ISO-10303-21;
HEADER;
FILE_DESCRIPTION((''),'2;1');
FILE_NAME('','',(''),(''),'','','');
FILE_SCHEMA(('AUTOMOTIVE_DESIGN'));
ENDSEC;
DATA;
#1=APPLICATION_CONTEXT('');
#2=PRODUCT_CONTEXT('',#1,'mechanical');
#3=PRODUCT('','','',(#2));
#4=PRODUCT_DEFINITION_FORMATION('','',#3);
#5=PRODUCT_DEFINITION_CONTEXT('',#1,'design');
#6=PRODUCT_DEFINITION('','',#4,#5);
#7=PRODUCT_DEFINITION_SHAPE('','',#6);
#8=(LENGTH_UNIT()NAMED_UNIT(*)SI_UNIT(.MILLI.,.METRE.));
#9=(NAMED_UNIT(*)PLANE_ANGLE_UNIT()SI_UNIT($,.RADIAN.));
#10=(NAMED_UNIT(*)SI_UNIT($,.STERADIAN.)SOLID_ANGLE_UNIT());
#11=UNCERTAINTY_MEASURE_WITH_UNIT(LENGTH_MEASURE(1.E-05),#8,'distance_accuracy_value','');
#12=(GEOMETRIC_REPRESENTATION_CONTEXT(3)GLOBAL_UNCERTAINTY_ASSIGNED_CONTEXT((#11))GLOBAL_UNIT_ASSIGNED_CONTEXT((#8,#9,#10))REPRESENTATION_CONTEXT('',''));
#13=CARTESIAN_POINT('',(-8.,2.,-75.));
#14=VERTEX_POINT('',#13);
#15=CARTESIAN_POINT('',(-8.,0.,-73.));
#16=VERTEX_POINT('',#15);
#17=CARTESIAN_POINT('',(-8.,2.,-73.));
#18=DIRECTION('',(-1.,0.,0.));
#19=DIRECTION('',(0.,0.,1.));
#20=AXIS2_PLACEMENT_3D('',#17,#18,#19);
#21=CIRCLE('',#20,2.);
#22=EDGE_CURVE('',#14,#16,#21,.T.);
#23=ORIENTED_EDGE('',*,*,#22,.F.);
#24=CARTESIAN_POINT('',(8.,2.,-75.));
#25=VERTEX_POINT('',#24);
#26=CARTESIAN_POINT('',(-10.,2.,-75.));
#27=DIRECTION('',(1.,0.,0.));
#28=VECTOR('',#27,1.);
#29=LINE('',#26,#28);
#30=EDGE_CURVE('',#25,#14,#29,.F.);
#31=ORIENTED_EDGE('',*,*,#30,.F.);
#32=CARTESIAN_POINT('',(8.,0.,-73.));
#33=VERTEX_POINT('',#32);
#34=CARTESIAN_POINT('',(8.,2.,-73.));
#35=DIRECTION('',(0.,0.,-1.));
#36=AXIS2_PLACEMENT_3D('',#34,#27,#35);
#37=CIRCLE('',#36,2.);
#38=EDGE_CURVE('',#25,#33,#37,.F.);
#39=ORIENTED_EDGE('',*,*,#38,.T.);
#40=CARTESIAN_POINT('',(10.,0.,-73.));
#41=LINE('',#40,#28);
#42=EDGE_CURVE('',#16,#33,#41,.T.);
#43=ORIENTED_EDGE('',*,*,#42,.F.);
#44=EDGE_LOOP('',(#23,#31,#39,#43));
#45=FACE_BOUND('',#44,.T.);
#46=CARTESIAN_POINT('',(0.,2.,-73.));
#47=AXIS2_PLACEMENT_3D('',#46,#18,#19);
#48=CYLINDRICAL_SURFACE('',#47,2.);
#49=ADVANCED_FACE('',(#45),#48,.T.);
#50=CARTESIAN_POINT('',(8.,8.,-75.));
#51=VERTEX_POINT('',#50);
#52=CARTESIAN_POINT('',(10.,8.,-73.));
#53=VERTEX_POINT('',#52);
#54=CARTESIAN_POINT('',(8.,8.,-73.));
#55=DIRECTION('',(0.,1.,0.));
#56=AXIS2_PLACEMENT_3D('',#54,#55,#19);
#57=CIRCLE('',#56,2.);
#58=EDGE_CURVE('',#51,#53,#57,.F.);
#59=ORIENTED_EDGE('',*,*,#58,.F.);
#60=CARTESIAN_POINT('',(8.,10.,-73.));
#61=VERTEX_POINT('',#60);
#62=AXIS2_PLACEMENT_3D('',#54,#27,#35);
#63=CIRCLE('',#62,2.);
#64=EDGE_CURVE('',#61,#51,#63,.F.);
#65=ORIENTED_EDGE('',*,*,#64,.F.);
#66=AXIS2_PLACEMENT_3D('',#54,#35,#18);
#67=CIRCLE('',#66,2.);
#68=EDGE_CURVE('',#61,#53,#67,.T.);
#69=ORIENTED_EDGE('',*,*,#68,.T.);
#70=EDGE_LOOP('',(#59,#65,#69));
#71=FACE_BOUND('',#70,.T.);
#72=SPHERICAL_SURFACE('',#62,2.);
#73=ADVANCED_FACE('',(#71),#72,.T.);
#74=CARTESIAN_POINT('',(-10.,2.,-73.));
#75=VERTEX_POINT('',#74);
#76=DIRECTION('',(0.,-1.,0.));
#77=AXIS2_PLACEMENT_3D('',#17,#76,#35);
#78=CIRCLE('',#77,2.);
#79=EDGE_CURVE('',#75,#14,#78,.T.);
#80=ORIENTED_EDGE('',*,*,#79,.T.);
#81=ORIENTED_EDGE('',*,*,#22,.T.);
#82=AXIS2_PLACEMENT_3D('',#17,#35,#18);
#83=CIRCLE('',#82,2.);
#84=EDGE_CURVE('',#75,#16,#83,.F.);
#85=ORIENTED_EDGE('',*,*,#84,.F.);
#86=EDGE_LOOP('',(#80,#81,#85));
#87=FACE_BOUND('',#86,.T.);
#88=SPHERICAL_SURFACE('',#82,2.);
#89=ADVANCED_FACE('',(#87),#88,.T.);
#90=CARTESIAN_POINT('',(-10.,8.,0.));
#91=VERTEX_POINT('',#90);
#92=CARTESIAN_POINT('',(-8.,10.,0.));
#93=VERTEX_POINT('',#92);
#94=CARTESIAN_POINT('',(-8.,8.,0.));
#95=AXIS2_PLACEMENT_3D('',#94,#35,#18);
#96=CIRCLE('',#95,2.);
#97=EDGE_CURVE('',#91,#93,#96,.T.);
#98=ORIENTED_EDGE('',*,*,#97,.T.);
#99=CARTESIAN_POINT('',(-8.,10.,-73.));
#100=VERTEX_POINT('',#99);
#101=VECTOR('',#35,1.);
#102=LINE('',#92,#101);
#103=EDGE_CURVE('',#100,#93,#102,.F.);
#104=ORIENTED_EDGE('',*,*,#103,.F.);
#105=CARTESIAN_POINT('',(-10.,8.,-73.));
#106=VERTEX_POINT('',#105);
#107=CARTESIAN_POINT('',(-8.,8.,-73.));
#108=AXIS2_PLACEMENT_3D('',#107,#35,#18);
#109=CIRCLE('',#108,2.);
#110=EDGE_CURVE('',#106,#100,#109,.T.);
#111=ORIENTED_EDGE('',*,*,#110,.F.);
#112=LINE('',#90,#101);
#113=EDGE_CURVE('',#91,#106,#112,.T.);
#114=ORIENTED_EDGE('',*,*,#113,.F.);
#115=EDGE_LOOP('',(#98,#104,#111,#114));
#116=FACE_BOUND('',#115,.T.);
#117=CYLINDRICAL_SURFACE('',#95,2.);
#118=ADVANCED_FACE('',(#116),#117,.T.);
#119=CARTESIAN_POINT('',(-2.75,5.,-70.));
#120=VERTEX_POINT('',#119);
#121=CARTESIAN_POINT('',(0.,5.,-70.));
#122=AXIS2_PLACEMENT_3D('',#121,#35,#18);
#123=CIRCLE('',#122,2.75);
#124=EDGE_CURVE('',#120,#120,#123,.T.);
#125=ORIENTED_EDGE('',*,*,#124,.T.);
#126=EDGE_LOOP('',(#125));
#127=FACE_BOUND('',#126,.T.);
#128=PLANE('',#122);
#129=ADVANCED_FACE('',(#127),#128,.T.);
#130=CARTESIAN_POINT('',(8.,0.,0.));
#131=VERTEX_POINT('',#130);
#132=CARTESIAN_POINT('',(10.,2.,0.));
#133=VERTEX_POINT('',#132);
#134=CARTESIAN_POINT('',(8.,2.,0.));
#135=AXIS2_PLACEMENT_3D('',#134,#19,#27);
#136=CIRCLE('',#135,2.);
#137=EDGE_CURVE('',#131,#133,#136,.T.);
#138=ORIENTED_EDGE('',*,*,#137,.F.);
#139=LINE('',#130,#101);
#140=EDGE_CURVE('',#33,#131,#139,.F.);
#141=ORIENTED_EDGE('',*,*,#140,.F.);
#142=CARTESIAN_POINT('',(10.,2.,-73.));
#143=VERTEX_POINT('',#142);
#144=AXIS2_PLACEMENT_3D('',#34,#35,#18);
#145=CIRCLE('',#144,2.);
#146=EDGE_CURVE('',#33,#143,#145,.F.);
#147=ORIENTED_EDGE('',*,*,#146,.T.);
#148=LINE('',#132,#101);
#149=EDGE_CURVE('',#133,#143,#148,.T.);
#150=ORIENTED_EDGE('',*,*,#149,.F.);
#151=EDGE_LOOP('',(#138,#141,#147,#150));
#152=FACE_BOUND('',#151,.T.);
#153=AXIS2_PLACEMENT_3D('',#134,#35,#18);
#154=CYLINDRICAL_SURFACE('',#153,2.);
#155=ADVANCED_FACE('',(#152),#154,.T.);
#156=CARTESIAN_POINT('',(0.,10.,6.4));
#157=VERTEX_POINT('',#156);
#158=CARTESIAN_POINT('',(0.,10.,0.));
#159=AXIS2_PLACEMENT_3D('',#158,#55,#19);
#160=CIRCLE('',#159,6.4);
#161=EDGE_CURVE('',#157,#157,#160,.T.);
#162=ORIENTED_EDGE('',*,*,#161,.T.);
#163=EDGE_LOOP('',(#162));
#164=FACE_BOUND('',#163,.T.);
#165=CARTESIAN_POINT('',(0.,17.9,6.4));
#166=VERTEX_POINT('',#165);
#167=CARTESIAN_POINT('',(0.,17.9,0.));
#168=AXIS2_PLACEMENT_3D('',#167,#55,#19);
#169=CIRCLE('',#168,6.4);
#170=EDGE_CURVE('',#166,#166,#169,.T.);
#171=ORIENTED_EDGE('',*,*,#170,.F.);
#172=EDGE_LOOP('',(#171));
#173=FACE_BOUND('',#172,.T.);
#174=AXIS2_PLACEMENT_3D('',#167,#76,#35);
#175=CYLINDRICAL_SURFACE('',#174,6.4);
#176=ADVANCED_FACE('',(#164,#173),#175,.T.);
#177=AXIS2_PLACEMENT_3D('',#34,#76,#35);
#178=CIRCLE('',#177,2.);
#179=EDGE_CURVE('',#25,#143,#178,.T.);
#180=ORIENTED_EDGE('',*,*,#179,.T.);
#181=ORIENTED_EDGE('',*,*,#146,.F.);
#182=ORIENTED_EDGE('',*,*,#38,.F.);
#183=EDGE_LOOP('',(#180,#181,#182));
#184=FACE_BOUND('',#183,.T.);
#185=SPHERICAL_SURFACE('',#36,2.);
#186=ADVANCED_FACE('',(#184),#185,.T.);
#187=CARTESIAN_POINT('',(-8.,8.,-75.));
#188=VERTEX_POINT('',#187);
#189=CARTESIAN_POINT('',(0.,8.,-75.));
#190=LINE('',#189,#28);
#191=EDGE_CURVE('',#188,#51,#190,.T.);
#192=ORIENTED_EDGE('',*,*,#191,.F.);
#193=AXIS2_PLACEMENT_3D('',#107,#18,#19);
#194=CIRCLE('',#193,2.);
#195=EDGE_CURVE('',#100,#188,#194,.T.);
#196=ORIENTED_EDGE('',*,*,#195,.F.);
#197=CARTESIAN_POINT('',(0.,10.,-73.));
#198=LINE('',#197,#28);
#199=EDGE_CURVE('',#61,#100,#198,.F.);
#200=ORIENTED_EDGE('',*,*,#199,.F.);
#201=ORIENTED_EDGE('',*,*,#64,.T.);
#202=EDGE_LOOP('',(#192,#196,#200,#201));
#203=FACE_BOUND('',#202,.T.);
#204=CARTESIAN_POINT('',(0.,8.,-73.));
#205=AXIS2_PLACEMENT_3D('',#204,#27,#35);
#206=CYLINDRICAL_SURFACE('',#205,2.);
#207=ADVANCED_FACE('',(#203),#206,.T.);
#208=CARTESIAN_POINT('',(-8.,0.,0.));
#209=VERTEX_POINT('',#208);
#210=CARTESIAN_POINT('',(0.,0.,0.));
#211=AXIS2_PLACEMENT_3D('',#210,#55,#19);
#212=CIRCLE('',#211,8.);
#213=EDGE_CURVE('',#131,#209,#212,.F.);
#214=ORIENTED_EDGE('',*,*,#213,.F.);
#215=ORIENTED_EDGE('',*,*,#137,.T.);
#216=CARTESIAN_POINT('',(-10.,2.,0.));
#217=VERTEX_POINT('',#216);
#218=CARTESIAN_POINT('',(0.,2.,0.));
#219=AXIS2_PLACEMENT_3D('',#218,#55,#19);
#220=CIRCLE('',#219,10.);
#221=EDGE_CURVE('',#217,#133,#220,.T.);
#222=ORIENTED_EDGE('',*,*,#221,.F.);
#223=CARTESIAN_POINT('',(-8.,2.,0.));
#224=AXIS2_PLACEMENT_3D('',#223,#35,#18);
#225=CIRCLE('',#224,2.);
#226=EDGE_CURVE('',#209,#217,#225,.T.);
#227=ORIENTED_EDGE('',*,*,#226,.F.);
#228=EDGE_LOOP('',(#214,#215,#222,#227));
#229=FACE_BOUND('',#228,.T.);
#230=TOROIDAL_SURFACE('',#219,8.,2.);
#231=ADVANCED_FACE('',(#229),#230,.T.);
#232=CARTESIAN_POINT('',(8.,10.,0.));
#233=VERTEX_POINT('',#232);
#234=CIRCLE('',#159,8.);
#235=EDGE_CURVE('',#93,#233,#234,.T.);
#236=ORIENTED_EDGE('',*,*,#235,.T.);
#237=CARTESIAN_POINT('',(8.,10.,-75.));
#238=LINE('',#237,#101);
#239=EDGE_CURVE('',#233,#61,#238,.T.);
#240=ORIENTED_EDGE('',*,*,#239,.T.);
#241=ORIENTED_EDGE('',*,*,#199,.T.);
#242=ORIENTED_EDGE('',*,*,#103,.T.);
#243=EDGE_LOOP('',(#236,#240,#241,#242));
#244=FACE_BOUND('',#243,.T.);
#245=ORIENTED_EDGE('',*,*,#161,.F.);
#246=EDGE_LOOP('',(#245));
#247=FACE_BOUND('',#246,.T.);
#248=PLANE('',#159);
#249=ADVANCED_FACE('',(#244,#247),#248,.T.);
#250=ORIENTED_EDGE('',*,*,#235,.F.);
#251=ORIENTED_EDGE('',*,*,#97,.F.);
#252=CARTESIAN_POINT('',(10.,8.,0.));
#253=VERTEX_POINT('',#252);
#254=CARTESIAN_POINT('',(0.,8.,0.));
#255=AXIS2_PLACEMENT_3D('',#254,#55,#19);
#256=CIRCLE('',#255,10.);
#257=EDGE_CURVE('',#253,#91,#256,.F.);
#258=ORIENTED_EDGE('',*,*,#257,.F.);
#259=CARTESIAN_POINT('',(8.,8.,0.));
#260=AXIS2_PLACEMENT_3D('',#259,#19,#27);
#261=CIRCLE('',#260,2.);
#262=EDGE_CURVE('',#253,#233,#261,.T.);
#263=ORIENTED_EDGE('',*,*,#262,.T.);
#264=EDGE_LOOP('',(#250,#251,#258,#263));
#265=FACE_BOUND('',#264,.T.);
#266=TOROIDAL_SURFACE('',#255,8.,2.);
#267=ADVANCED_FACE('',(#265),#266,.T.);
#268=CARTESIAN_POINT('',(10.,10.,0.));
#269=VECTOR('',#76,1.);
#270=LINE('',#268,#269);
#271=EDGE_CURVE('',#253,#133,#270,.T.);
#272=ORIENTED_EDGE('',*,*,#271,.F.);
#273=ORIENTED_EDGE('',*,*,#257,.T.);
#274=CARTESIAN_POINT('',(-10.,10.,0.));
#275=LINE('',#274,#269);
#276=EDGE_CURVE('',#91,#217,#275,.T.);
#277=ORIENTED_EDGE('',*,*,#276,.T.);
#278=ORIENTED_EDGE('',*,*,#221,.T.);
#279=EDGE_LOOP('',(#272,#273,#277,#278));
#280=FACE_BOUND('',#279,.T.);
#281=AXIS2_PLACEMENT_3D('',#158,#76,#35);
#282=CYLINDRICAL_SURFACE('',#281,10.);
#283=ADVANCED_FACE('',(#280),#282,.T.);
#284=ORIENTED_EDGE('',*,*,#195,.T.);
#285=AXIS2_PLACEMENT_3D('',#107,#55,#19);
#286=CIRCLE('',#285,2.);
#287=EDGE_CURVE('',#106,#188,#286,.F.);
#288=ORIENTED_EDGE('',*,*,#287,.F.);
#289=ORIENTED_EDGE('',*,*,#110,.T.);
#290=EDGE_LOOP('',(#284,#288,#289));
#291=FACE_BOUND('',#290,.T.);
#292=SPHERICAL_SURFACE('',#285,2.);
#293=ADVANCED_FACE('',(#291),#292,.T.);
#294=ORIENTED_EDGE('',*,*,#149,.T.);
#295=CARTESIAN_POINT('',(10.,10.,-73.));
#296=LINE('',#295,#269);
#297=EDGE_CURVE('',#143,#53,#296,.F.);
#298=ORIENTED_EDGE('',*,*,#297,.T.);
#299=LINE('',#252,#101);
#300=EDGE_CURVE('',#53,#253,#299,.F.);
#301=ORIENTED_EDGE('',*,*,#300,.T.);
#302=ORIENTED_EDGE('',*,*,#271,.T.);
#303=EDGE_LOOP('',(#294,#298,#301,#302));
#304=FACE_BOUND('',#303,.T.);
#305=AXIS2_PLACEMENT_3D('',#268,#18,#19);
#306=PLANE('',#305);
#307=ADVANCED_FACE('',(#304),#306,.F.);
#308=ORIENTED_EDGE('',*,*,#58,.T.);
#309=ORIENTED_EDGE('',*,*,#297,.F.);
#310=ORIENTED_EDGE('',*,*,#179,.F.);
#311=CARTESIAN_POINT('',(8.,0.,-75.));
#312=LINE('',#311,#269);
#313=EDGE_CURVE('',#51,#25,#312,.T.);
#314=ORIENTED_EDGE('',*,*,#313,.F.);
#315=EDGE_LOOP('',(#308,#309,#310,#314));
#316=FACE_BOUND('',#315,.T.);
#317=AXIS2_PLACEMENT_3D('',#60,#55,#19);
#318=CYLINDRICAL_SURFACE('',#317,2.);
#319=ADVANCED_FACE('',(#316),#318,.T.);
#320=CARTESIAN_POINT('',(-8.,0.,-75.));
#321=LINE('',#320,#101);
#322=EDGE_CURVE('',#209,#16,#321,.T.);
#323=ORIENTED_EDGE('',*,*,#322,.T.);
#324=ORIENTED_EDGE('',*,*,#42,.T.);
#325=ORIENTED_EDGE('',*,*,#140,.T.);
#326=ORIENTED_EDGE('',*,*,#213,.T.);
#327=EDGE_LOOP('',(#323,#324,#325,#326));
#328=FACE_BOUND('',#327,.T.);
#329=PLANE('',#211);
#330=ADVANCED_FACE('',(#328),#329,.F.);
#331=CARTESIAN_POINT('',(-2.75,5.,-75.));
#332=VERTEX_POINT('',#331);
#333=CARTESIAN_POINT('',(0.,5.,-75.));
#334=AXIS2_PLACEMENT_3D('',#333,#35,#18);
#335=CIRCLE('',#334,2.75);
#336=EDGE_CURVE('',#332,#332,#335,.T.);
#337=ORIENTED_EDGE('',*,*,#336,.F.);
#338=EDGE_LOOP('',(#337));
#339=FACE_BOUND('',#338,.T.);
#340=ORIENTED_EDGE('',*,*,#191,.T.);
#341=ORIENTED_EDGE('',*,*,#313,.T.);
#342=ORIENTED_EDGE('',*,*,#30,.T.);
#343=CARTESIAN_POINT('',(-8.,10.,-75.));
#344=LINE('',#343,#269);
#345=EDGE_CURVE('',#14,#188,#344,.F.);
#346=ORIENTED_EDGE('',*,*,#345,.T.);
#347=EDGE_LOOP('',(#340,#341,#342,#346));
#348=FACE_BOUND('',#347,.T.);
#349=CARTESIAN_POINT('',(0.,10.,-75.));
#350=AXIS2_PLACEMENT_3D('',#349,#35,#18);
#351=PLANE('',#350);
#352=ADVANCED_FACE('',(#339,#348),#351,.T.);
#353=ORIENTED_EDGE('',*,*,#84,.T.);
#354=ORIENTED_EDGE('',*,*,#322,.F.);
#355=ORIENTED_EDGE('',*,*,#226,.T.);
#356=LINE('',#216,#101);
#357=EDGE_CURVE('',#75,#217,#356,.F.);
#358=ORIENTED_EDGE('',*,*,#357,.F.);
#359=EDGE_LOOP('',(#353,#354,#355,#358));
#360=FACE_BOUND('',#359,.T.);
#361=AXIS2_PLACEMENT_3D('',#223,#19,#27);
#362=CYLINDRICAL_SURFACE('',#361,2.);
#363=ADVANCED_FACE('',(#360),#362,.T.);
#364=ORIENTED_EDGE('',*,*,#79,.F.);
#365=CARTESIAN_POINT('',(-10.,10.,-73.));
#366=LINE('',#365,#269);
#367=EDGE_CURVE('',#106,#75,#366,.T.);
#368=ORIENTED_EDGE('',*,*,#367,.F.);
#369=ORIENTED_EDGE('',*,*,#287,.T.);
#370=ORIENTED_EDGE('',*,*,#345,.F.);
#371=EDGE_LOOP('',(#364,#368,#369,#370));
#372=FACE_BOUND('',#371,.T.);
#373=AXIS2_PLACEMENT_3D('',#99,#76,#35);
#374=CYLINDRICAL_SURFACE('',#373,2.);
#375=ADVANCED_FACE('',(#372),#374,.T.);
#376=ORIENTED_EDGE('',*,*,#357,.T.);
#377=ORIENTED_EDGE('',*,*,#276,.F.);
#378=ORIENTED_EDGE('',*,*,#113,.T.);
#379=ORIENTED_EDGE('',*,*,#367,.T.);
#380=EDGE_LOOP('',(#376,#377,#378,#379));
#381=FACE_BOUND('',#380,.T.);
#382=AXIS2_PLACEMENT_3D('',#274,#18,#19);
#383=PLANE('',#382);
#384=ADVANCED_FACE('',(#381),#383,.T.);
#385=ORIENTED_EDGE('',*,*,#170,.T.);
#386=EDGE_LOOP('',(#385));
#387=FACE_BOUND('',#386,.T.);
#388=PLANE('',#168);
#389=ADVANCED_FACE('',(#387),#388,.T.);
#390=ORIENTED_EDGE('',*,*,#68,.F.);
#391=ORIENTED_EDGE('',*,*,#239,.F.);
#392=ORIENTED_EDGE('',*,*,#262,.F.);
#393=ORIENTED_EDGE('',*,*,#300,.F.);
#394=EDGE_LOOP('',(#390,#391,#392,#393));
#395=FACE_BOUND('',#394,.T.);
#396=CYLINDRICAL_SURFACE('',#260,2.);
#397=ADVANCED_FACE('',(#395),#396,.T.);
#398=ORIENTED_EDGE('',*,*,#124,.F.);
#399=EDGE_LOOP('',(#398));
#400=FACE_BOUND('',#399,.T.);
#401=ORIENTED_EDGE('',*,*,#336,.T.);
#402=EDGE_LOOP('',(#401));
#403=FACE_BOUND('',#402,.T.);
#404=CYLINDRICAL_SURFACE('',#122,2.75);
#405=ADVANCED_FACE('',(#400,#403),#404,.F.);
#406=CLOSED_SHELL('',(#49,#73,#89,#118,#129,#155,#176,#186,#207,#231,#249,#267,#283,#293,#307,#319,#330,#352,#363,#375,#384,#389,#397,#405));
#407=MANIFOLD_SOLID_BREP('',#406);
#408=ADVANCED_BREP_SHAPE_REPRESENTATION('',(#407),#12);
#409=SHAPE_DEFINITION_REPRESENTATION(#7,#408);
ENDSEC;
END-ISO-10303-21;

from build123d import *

# Parameters (mm, degrees)
SKETCH2_R           = 10
BOSS_EXTRUDE2_DEPTH = 10
SKETCH3_R           = 6.4
BOSS_EXTRUDE3_DEPTH = 7.9
SKETCH4_R           = 2.75
CUT_EXTRUDE1_DEPTH  = 5
FILLET1_R           = 2


with BuildPart() as part:
    # Sketch2 → Boss-Extrude2 (new body)
    with BuildSketch(Plane(origin=(0, 0, 0), x_dir=(1, 0, 0), z_dir=(0, 1, 0))):
        Circle(SKETCH2_R)
        with BuildLine():
            Line((-10, 75), (-10, 0))
            ThreePointArc((-10, 0), (0, 10), (10, 0))
            Line((10, 0), (10, 75))
            Line((10, 75), (-10, 75))
        make_face()
    extrude(amount=BOSS_EXTRUDE2_DEPTH)

    # Sketch3 → Boss-Extrude3 (add)
    with BuildSketch(Plane(origin=(0, 10, 0), x_dir=(1, 0, 0), z_dir=(0, 1, 0))):
        Circle(SKETCH3_R)
    extrude(amount=BOSS_EXTRUDE3_DEPTH)

    # Sketch4 → Cut-Extrude1 (cut)
    with BuildSketch(Plane(origin=(0, 0, -75), x_dir=(-1, 0, 0), z_dir=(0, 0, -1))):
        with Locations((0, 5)):
            Circle(SKETCH4_R)
    extrude(amount=-CUT_EXTRUDE1_DEPTH, mode=Mode.SUBTRACT)

    # Fillet1
    fillet1_edges = [part.edges().sort_by_distance(p)[0] for p in [
        (10, 10, -37.5),
        (0, 10, -75),
        (-10, 10, -37.5),
        (0, 10, 10),
        (-10, 0, -37.5),
        (0, 0, -75),
        (10, 0, -37.5),
        (0, 0, 10),
        (-10, 5, -75),
        (10, 5, -75),
    ]]
    fillet(fillet1_edges, radius=FILLET1_R)


solid = part.part
